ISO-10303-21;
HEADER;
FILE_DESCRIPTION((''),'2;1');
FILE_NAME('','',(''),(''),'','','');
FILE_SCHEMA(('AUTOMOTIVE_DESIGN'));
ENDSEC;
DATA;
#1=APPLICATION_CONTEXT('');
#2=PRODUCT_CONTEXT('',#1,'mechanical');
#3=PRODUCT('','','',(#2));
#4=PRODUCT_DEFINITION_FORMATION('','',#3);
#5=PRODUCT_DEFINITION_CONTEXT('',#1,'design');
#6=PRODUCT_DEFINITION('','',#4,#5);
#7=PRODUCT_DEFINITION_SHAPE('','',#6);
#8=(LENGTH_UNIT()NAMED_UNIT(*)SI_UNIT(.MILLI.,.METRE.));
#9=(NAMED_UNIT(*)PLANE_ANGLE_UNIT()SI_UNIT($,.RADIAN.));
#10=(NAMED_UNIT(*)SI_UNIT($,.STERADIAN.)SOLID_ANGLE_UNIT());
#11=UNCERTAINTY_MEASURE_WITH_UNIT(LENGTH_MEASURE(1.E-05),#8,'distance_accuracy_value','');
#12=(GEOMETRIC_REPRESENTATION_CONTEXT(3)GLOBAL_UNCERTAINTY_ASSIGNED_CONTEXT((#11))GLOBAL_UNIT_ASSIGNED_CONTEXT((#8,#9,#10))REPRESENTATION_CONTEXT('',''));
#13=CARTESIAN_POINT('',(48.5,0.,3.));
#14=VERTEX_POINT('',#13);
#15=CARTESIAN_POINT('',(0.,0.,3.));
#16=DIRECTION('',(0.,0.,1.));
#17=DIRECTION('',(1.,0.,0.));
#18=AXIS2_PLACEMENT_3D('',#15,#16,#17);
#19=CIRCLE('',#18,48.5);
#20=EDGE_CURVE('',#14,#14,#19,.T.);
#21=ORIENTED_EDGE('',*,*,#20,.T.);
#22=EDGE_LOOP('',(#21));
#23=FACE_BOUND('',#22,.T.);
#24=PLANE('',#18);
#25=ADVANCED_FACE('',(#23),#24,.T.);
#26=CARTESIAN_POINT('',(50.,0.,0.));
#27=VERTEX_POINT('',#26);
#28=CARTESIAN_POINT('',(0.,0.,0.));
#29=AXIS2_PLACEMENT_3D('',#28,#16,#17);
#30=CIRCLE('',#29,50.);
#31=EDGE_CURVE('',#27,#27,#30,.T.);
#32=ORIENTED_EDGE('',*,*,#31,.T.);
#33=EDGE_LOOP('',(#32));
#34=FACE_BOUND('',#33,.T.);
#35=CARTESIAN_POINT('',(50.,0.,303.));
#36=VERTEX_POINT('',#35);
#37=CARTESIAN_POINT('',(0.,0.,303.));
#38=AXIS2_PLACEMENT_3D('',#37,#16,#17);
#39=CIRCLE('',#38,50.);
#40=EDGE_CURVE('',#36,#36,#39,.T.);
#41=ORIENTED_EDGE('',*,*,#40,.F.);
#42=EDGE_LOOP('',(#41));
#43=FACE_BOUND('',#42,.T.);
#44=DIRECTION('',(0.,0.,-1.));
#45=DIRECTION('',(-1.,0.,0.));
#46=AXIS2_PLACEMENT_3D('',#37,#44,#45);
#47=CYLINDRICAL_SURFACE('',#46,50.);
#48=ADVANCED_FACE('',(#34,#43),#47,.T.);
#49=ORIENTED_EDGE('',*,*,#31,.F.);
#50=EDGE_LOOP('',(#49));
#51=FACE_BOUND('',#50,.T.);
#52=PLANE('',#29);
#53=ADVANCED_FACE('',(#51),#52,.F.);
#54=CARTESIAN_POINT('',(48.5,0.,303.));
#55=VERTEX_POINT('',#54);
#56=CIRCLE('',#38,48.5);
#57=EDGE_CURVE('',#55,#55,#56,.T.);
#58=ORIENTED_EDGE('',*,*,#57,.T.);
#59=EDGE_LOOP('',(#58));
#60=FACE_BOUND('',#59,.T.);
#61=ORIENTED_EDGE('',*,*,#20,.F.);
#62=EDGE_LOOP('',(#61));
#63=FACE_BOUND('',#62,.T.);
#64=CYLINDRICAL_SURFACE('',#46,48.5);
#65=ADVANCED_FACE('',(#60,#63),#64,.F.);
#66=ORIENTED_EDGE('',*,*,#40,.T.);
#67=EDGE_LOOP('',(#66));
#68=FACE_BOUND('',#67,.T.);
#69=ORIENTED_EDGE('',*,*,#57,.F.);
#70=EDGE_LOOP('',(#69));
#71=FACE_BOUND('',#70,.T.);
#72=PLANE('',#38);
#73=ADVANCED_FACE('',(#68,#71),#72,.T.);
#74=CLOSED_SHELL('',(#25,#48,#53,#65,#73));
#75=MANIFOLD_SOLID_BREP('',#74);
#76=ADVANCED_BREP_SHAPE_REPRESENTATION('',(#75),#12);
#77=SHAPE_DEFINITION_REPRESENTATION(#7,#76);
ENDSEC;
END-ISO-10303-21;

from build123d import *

# Parameters (mm, degrees)
SKETCH1_R           = 50
SKETCH1_R_2         = 48.5
BOSS_EXTRUDE1_DEPTH = 303
SKETCH1_2_R         = 48.5
BOSS_EXTRUDE2_DEPTH = 3


with BuildPart() as part:
    # Sketch1 → Boss-Extrude1 (new body)
    with BuildSketch(Plane.XY):
        Circle(SKETCH1_R)
        Circle(SKETCH1_R_2, mode=Mode.SUBTRACT)
    extrude(amount=BOSS_EXTRUDE1_DEPTH)

    # Sketch1<2> → Boss-Extrude2 (add)
    with BuildSketch(Plane.XY):
        Circle(SKETCH1_2_R)
    extrude(amount=BOSS_EXTRUDE2_DEPTH)


solid = part.part
